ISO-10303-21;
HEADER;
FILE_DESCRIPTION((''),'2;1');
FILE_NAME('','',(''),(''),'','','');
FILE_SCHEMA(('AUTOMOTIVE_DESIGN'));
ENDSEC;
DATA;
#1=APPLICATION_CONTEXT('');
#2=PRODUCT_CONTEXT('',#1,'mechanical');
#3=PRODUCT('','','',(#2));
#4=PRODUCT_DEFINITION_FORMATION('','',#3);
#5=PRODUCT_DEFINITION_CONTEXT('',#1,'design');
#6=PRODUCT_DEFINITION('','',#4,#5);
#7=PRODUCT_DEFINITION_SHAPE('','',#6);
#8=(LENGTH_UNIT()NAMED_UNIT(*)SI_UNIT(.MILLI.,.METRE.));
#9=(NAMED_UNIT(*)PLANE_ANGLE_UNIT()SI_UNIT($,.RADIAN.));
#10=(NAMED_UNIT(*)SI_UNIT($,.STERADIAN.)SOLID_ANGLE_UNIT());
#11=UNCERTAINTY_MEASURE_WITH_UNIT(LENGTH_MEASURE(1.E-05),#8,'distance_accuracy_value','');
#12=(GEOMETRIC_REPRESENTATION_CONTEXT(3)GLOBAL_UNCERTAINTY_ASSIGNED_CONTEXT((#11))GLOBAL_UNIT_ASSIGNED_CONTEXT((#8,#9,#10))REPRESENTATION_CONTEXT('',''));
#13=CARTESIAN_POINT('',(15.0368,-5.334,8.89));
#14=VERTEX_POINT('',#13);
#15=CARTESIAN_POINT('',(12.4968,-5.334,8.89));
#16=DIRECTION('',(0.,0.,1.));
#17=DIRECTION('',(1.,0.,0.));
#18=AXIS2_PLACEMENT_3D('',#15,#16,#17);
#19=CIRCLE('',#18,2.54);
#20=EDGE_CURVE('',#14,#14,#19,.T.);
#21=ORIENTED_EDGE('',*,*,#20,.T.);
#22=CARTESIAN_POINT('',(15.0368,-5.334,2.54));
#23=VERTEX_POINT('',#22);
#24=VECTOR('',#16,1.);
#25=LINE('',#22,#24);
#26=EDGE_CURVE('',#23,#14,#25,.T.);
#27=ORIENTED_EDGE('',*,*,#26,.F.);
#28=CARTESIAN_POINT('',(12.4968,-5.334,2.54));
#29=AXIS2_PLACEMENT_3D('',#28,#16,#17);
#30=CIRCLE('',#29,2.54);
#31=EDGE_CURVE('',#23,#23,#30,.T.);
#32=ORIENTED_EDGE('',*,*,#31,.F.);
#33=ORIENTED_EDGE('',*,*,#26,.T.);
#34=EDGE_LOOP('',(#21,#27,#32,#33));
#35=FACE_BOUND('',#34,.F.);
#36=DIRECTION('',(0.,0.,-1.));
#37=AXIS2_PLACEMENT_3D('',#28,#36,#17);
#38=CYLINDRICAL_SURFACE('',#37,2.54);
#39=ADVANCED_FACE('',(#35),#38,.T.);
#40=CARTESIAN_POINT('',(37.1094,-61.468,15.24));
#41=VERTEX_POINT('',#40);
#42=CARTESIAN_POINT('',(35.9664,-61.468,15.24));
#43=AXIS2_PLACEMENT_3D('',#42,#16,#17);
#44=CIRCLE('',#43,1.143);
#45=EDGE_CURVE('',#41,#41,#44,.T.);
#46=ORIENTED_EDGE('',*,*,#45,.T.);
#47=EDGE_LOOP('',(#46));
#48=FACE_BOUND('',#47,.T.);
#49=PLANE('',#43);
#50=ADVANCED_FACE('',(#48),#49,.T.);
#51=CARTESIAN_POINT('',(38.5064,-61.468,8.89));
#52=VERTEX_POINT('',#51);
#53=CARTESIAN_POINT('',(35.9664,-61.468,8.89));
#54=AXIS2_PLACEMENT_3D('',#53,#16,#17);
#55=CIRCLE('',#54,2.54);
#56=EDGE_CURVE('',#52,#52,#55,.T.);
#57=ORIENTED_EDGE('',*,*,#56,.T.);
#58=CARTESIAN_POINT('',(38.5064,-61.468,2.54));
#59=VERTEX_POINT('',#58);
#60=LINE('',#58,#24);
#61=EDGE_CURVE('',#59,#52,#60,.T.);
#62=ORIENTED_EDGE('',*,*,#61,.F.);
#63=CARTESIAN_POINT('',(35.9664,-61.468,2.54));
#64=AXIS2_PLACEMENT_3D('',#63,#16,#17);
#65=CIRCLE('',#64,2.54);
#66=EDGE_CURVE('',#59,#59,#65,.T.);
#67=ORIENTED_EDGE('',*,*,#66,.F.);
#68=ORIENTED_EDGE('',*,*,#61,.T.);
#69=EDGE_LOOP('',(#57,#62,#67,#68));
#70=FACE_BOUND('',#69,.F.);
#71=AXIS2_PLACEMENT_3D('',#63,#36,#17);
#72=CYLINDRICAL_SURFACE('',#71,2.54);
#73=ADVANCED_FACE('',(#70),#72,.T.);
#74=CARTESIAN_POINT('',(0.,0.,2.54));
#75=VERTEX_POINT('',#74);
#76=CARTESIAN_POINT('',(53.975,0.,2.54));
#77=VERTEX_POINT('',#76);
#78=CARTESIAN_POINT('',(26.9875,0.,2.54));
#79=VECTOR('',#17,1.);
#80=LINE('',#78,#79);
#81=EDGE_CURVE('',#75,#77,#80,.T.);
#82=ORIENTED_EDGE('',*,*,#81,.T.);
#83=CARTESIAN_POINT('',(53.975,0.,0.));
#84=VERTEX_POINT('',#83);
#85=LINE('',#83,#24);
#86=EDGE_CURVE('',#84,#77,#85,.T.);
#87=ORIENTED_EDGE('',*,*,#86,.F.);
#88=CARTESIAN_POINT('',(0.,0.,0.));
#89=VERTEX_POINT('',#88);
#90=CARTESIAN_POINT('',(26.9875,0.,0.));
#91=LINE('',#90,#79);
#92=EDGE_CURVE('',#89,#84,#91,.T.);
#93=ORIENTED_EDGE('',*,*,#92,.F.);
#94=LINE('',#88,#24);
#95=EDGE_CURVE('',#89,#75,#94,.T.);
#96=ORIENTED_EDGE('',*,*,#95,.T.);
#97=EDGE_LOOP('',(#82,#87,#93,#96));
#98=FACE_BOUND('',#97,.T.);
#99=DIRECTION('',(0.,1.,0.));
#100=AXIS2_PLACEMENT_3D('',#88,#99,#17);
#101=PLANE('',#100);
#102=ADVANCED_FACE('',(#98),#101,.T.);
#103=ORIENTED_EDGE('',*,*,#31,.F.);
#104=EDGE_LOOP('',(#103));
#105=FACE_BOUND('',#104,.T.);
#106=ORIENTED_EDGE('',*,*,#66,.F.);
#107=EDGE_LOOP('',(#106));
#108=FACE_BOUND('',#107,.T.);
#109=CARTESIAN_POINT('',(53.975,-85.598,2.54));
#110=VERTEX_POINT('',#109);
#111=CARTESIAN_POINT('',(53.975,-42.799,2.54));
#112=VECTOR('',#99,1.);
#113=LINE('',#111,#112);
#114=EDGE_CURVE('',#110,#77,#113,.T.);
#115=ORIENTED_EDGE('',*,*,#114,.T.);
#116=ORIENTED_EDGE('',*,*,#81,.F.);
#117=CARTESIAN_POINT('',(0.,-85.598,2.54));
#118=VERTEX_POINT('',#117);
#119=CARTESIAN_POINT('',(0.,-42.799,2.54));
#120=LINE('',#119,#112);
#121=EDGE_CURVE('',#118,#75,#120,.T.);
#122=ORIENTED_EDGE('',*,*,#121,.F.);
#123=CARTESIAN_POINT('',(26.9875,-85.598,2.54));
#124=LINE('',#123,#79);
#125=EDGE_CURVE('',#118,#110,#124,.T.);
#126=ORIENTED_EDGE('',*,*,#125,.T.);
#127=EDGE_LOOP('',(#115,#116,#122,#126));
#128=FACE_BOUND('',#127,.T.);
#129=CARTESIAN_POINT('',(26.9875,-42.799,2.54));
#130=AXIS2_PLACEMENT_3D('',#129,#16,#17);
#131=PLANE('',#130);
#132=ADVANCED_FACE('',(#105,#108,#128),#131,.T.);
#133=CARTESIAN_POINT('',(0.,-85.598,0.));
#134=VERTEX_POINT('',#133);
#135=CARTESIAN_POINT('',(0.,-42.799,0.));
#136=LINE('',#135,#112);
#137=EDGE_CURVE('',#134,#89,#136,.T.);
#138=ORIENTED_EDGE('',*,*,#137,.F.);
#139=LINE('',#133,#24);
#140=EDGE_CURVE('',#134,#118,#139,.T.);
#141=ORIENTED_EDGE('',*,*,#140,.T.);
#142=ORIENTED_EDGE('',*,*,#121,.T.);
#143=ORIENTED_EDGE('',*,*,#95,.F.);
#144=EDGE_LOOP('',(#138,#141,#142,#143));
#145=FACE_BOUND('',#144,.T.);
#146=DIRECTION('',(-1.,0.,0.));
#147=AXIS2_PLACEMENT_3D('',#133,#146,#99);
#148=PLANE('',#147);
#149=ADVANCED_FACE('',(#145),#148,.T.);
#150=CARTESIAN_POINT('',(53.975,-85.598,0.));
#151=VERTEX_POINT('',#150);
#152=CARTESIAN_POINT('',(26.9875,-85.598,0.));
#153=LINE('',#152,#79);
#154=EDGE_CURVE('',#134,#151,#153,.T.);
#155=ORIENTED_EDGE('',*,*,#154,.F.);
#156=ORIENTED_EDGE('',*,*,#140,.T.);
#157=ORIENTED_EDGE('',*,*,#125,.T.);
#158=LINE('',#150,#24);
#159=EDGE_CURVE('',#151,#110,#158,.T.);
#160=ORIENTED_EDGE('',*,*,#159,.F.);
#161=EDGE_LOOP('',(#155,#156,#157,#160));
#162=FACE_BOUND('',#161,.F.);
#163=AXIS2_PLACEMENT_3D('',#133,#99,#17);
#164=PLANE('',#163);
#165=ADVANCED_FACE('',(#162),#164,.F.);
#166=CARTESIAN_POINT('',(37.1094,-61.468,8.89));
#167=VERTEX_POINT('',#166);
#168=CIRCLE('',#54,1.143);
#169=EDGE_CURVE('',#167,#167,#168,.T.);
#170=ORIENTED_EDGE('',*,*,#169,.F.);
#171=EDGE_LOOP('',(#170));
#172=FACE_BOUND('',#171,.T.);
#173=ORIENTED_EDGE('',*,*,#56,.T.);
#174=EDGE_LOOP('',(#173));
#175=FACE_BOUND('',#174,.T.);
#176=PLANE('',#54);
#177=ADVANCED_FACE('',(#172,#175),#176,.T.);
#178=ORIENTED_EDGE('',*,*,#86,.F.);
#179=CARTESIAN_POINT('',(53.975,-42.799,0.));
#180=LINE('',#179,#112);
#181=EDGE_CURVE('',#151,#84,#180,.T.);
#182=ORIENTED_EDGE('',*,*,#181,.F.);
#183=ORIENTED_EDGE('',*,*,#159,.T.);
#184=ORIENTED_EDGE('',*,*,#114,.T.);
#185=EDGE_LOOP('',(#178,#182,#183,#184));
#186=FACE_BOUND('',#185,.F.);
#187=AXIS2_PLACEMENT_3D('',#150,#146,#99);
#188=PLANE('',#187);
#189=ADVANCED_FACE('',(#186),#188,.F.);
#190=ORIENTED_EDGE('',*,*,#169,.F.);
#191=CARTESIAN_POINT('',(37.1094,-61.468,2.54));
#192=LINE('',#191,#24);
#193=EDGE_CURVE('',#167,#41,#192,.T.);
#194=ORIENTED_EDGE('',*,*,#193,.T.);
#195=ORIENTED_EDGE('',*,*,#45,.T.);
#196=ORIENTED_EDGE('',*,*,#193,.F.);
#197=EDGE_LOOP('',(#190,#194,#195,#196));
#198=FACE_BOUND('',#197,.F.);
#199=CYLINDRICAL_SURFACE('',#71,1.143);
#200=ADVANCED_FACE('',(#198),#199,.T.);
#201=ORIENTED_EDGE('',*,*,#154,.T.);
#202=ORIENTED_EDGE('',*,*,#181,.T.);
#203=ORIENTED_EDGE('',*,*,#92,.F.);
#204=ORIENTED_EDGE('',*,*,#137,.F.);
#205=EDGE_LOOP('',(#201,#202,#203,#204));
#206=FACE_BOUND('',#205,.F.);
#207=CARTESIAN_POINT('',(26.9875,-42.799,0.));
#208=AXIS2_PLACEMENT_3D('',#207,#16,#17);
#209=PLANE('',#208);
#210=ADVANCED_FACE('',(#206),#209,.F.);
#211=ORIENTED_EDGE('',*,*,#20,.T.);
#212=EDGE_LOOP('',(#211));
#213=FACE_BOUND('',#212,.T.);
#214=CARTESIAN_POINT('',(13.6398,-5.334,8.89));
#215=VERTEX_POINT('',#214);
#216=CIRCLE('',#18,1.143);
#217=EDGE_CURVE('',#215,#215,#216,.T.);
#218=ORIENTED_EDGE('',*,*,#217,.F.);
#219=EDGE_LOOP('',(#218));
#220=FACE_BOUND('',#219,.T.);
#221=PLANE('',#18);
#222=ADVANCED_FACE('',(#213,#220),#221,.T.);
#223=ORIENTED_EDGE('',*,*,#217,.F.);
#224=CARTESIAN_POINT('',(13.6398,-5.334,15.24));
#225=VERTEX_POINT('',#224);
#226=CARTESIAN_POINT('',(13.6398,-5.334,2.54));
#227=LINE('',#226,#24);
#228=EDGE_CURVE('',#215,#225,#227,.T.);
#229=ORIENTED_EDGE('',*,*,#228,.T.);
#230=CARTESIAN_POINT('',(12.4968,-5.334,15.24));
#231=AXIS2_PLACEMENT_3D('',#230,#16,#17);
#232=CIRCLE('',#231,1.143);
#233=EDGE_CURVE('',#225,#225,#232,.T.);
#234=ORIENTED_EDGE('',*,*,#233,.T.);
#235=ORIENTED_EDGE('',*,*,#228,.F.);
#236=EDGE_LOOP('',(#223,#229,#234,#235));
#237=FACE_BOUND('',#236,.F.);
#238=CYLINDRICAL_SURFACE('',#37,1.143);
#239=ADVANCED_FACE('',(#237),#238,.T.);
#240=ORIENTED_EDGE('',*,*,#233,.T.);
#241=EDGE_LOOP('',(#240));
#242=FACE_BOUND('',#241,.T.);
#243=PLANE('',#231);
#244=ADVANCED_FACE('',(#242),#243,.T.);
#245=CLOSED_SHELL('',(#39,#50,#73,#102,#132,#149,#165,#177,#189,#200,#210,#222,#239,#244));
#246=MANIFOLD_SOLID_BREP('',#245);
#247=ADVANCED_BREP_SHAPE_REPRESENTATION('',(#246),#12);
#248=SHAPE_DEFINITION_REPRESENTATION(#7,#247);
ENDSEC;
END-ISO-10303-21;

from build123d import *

# Parameters (mm, degrees)
F0_W     = 53.975
F0_H     = 85.598
F1_DEPTH = 2.54
F2_R     = 2.54
F2_R_2   = 1.143
F3_DEPTH = 6.35
F4_DEPTH = 12.7


with BuildPart() as f1:
    # F0 (on Top) → F1 (new body)
    with BuildSketch(Plane.XY):
        with Locations((26.9875, -42.799)):
            Rectangle(F0_W, F0_H)
    extrude(amount=F1_DEPTH)

    # F2 (on face) → F3 (join)
    with BuildSketch(Plane.XY.offset(2.54)):
        with Locations((12.4968, -5.334)):
            Circle(F2_R)
        with Locations((12.4968, -5.334)):
            Circle(F2_R_2, mode=Mode.SUBTRACT)
        with Locations((35.9664, -61.468)):
            Circle(F2_R)
        with Locations((35.9664, -61.468)):
            Circle(F2_R_2, mode=Mode.SUBTRACT)
    extrude(amount=F3_DEPTH)

    # F2 (on face) → F4 (join)
    with BuildSketch(Plane.XY.offset(2.54)):
        with Locations((12.4968, -5.334)):
            Circle(F2_R_2)
        with Locations((35.9664, -61.468)):
            Circle(F2_R_2)
    extrude(amount=F4_DEPTH)


solid = f1.part
